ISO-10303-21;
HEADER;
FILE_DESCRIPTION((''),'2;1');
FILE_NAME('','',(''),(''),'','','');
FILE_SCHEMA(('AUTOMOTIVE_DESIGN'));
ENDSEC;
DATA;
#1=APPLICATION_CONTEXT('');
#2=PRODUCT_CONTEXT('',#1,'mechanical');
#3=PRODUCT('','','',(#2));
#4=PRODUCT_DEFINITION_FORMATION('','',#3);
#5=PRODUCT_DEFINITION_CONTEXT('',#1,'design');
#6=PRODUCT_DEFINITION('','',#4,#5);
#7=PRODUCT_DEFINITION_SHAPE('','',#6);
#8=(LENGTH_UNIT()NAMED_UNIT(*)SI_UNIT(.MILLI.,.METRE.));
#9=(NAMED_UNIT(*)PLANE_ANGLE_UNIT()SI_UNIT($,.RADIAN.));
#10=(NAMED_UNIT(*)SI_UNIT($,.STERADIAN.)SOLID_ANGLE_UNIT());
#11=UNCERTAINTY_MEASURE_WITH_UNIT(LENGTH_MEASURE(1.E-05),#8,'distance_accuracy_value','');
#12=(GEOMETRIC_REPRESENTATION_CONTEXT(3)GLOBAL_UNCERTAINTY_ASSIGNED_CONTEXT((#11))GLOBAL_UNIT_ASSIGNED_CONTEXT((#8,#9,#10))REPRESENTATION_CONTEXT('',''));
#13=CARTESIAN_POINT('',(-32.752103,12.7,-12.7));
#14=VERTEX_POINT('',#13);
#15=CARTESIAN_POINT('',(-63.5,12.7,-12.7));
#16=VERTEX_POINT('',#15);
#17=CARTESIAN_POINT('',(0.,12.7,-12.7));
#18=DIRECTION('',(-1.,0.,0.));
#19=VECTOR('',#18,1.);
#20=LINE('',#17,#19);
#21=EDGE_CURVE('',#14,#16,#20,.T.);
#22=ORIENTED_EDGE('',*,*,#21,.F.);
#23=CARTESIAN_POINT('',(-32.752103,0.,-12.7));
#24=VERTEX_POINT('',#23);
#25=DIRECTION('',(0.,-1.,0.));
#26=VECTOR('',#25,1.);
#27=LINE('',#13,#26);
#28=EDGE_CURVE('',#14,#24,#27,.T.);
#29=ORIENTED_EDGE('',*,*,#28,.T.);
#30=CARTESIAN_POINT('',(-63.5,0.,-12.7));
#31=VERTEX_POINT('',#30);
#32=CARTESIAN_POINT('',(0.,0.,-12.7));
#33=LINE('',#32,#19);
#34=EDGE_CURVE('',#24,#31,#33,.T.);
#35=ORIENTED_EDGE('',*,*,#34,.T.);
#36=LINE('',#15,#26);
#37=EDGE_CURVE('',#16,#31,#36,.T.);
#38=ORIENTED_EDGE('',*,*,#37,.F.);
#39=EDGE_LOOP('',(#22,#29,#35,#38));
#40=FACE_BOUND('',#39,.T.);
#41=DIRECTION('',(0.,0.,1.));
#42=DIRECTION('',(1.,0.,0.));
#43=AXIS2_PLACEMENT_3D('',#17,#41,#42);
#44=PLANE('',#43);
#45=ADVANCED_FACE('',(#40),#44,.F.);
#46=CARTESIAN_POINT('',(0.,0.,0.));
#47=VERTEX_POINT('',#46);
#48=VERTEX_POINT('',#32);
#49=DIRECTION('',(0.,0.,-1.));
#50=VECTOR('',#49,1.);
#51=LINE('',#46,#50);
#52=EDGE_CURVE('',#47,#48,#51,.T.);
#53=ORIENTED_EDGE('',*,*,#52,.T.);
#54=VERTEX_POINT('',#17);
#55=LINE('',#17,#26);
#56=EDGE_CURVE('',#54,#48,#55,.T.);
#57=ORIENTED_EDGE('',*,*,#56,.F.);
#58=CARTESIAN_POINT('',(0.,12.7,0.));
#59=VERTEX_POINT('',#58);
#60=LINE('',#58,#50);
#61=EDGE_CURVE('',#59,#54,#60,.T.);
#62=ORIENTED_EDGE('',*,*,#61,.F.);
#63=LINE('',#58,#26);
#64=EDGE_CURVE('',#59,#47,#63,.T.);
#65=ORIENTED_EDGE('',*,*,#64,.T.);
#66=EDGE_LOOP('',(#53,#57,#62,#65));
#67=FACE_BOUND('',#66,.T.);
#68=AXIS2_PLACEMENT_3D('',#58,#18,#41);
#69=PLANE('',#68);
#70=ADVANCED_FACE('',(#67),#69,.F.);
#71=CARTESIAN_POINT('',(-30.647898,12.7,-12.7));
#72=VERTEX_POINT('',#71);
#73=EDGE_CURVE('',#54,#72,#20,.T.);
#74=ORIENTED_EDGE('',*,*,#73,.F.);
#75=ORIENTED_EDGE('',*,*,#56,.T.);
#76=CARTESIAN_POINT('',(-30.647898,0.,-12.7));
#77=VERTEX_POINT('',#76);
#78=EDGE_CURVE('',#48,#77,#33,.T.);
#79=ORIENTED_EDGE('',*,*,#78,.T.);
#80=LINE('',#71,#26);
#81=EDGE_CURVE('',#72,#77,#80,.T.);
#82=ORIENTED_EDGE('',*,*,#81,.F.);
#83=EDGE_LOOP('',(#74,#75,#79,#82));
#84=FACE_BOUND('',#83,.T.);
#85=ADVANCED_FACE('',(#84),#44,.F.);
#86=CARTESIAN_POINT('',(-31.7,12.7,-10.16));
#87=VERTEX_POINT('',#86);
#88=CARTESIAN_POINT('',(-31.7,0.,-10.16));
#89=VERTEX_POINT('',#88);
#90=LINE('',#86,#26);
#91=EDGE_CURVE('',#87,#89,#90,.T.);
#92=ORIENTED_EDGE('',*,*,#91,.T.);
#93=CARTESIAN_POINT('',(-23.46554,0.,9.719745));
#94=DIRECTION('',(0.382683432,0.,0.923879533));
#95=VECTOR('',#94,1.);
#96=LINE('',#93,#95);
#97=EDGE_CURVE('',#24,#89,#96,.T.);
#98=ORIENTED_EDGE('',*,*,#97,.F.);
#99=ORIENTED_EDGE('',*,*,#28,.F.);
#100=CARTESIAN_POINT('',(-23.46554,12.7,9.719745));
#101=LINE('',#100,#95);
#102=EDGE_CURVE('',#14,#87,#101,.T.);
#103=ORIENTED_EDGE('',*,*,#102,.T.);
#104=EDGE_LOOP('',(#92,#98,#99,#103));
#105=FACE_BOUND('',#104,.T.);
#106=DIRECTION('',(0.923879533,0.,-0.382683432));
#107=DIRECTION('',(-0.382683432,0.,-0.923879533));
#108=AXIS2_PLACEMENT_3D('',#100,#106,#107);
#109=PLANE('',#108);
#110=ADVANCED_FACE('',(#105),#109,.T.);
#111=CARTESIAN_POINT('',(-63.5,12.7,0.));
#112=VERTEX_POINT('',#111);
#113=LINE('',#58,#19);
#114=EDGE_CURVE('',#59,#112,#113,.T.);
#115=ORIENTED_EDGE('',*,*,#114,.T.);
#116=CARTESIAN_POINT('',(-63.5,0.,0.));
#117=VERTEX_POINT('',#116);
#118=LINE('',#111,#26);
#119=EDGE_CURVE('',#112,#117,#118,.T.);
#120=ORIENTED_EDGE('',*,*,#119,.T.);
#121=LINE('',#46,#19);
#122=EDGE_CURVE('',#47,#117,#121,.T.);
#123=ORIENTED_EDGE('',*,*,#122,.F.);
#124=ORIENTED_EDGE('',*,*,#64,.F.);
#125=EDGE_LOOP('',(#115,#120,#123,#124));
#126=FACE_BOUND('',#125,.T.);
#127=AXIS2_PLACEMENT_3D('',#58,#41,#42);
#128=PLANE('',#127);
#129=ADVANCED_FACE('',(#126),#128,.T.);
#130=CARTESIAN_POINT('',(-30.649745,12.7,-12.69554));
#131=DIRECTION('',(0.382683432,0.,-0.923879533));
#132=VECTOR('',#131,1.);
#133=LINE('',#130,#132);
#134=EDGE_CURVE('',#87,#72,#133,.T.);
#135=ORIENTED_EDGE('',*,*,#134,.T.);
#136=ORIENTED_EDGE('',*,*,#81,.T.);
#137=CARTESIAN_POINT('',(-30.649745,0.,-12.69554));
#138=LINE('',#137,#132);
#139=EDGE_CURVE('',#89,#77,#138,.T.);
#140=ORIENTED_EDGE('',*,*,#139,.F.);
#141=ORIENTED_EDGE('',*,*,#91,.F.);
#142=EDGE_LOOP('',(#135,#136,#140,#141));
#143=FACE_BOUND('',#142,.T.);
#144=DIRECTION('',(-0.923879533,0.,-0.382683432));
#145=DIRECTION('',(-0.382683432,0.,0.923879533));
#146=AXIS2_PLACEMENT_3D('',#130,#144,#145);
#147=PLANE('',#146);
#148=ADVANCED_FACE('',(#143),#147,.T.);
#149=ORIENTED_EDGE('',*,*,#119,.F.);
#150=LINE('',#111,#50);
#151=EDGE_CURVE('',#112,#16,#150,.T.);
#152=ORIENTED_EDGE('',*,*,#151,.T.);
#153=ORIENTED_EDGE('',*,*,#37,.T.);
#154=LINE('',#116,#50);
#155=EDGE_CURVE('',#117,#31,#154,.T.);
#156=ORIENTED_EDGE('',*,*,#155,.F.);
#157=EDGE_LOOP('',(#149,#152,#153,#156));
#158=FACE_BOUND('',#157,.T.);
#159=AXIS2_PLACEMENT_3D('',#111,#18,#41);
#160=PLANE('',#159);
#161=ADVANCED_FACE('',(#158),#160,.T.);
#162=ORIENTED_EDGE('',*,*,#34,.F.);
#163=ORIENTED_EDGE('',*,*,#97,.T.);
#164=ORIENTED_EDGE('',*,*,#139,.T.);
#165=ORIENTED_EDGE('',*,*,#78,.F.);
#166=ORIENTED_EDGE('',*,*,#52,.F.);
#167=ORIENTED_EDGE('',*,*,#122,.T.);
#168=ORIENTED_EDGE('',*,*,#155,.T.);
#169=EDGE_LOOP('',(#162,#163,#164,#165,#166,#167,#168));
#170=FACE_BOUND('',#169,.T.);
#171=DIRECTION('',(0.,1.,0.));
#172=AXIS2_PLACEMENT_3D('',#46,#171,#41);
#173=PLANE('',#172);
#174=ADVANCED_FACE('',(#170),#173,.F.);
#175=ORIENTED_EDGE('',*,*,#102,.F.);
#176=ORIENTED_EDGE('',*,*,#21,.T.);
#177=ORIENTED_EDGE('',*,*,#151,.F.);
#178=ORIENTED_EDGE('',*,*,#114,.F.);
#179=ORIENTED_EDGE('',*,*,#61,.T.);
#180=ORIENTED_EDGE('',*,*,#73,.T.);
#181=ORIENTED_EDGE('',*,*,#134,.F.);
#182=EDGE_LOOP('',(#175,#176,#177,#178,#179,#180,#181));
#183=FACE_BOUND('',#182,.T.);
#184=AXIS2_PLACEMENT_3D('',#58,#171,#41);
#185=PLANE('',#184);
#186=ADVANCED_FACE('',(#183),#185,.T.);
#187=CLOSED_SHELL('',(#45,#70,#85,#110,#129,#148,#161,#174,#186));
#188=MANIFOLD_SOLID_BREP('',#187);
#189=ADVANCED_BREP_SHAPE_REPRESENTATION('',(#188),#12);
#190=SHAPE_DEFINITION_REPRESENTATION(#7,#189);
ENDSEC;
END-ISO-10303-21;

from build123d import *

# Parameters (mm, degrees)
BOSS_EXTRUDE1_DEPTH = 12.7


with BuildPart() as part:
    # Sketch1 → Boss-Extrude1 (new body)
    with BuildSketch(Plane(origin=(0, 0, 0), x_dir=(1, 0, 0), z_dir=(0, 1, 0))):
        Polygon((-63.5, 0), (0, 0), (0, 12.7), (-30.647897652, 12.7), (-31.7000001, 10.16), (-32.752102548, 12.7), (-63.5, 12.7), align=None)
    extrude(amount=BOSS_EXTRUDE1_DEPTH)


solid = part.part
